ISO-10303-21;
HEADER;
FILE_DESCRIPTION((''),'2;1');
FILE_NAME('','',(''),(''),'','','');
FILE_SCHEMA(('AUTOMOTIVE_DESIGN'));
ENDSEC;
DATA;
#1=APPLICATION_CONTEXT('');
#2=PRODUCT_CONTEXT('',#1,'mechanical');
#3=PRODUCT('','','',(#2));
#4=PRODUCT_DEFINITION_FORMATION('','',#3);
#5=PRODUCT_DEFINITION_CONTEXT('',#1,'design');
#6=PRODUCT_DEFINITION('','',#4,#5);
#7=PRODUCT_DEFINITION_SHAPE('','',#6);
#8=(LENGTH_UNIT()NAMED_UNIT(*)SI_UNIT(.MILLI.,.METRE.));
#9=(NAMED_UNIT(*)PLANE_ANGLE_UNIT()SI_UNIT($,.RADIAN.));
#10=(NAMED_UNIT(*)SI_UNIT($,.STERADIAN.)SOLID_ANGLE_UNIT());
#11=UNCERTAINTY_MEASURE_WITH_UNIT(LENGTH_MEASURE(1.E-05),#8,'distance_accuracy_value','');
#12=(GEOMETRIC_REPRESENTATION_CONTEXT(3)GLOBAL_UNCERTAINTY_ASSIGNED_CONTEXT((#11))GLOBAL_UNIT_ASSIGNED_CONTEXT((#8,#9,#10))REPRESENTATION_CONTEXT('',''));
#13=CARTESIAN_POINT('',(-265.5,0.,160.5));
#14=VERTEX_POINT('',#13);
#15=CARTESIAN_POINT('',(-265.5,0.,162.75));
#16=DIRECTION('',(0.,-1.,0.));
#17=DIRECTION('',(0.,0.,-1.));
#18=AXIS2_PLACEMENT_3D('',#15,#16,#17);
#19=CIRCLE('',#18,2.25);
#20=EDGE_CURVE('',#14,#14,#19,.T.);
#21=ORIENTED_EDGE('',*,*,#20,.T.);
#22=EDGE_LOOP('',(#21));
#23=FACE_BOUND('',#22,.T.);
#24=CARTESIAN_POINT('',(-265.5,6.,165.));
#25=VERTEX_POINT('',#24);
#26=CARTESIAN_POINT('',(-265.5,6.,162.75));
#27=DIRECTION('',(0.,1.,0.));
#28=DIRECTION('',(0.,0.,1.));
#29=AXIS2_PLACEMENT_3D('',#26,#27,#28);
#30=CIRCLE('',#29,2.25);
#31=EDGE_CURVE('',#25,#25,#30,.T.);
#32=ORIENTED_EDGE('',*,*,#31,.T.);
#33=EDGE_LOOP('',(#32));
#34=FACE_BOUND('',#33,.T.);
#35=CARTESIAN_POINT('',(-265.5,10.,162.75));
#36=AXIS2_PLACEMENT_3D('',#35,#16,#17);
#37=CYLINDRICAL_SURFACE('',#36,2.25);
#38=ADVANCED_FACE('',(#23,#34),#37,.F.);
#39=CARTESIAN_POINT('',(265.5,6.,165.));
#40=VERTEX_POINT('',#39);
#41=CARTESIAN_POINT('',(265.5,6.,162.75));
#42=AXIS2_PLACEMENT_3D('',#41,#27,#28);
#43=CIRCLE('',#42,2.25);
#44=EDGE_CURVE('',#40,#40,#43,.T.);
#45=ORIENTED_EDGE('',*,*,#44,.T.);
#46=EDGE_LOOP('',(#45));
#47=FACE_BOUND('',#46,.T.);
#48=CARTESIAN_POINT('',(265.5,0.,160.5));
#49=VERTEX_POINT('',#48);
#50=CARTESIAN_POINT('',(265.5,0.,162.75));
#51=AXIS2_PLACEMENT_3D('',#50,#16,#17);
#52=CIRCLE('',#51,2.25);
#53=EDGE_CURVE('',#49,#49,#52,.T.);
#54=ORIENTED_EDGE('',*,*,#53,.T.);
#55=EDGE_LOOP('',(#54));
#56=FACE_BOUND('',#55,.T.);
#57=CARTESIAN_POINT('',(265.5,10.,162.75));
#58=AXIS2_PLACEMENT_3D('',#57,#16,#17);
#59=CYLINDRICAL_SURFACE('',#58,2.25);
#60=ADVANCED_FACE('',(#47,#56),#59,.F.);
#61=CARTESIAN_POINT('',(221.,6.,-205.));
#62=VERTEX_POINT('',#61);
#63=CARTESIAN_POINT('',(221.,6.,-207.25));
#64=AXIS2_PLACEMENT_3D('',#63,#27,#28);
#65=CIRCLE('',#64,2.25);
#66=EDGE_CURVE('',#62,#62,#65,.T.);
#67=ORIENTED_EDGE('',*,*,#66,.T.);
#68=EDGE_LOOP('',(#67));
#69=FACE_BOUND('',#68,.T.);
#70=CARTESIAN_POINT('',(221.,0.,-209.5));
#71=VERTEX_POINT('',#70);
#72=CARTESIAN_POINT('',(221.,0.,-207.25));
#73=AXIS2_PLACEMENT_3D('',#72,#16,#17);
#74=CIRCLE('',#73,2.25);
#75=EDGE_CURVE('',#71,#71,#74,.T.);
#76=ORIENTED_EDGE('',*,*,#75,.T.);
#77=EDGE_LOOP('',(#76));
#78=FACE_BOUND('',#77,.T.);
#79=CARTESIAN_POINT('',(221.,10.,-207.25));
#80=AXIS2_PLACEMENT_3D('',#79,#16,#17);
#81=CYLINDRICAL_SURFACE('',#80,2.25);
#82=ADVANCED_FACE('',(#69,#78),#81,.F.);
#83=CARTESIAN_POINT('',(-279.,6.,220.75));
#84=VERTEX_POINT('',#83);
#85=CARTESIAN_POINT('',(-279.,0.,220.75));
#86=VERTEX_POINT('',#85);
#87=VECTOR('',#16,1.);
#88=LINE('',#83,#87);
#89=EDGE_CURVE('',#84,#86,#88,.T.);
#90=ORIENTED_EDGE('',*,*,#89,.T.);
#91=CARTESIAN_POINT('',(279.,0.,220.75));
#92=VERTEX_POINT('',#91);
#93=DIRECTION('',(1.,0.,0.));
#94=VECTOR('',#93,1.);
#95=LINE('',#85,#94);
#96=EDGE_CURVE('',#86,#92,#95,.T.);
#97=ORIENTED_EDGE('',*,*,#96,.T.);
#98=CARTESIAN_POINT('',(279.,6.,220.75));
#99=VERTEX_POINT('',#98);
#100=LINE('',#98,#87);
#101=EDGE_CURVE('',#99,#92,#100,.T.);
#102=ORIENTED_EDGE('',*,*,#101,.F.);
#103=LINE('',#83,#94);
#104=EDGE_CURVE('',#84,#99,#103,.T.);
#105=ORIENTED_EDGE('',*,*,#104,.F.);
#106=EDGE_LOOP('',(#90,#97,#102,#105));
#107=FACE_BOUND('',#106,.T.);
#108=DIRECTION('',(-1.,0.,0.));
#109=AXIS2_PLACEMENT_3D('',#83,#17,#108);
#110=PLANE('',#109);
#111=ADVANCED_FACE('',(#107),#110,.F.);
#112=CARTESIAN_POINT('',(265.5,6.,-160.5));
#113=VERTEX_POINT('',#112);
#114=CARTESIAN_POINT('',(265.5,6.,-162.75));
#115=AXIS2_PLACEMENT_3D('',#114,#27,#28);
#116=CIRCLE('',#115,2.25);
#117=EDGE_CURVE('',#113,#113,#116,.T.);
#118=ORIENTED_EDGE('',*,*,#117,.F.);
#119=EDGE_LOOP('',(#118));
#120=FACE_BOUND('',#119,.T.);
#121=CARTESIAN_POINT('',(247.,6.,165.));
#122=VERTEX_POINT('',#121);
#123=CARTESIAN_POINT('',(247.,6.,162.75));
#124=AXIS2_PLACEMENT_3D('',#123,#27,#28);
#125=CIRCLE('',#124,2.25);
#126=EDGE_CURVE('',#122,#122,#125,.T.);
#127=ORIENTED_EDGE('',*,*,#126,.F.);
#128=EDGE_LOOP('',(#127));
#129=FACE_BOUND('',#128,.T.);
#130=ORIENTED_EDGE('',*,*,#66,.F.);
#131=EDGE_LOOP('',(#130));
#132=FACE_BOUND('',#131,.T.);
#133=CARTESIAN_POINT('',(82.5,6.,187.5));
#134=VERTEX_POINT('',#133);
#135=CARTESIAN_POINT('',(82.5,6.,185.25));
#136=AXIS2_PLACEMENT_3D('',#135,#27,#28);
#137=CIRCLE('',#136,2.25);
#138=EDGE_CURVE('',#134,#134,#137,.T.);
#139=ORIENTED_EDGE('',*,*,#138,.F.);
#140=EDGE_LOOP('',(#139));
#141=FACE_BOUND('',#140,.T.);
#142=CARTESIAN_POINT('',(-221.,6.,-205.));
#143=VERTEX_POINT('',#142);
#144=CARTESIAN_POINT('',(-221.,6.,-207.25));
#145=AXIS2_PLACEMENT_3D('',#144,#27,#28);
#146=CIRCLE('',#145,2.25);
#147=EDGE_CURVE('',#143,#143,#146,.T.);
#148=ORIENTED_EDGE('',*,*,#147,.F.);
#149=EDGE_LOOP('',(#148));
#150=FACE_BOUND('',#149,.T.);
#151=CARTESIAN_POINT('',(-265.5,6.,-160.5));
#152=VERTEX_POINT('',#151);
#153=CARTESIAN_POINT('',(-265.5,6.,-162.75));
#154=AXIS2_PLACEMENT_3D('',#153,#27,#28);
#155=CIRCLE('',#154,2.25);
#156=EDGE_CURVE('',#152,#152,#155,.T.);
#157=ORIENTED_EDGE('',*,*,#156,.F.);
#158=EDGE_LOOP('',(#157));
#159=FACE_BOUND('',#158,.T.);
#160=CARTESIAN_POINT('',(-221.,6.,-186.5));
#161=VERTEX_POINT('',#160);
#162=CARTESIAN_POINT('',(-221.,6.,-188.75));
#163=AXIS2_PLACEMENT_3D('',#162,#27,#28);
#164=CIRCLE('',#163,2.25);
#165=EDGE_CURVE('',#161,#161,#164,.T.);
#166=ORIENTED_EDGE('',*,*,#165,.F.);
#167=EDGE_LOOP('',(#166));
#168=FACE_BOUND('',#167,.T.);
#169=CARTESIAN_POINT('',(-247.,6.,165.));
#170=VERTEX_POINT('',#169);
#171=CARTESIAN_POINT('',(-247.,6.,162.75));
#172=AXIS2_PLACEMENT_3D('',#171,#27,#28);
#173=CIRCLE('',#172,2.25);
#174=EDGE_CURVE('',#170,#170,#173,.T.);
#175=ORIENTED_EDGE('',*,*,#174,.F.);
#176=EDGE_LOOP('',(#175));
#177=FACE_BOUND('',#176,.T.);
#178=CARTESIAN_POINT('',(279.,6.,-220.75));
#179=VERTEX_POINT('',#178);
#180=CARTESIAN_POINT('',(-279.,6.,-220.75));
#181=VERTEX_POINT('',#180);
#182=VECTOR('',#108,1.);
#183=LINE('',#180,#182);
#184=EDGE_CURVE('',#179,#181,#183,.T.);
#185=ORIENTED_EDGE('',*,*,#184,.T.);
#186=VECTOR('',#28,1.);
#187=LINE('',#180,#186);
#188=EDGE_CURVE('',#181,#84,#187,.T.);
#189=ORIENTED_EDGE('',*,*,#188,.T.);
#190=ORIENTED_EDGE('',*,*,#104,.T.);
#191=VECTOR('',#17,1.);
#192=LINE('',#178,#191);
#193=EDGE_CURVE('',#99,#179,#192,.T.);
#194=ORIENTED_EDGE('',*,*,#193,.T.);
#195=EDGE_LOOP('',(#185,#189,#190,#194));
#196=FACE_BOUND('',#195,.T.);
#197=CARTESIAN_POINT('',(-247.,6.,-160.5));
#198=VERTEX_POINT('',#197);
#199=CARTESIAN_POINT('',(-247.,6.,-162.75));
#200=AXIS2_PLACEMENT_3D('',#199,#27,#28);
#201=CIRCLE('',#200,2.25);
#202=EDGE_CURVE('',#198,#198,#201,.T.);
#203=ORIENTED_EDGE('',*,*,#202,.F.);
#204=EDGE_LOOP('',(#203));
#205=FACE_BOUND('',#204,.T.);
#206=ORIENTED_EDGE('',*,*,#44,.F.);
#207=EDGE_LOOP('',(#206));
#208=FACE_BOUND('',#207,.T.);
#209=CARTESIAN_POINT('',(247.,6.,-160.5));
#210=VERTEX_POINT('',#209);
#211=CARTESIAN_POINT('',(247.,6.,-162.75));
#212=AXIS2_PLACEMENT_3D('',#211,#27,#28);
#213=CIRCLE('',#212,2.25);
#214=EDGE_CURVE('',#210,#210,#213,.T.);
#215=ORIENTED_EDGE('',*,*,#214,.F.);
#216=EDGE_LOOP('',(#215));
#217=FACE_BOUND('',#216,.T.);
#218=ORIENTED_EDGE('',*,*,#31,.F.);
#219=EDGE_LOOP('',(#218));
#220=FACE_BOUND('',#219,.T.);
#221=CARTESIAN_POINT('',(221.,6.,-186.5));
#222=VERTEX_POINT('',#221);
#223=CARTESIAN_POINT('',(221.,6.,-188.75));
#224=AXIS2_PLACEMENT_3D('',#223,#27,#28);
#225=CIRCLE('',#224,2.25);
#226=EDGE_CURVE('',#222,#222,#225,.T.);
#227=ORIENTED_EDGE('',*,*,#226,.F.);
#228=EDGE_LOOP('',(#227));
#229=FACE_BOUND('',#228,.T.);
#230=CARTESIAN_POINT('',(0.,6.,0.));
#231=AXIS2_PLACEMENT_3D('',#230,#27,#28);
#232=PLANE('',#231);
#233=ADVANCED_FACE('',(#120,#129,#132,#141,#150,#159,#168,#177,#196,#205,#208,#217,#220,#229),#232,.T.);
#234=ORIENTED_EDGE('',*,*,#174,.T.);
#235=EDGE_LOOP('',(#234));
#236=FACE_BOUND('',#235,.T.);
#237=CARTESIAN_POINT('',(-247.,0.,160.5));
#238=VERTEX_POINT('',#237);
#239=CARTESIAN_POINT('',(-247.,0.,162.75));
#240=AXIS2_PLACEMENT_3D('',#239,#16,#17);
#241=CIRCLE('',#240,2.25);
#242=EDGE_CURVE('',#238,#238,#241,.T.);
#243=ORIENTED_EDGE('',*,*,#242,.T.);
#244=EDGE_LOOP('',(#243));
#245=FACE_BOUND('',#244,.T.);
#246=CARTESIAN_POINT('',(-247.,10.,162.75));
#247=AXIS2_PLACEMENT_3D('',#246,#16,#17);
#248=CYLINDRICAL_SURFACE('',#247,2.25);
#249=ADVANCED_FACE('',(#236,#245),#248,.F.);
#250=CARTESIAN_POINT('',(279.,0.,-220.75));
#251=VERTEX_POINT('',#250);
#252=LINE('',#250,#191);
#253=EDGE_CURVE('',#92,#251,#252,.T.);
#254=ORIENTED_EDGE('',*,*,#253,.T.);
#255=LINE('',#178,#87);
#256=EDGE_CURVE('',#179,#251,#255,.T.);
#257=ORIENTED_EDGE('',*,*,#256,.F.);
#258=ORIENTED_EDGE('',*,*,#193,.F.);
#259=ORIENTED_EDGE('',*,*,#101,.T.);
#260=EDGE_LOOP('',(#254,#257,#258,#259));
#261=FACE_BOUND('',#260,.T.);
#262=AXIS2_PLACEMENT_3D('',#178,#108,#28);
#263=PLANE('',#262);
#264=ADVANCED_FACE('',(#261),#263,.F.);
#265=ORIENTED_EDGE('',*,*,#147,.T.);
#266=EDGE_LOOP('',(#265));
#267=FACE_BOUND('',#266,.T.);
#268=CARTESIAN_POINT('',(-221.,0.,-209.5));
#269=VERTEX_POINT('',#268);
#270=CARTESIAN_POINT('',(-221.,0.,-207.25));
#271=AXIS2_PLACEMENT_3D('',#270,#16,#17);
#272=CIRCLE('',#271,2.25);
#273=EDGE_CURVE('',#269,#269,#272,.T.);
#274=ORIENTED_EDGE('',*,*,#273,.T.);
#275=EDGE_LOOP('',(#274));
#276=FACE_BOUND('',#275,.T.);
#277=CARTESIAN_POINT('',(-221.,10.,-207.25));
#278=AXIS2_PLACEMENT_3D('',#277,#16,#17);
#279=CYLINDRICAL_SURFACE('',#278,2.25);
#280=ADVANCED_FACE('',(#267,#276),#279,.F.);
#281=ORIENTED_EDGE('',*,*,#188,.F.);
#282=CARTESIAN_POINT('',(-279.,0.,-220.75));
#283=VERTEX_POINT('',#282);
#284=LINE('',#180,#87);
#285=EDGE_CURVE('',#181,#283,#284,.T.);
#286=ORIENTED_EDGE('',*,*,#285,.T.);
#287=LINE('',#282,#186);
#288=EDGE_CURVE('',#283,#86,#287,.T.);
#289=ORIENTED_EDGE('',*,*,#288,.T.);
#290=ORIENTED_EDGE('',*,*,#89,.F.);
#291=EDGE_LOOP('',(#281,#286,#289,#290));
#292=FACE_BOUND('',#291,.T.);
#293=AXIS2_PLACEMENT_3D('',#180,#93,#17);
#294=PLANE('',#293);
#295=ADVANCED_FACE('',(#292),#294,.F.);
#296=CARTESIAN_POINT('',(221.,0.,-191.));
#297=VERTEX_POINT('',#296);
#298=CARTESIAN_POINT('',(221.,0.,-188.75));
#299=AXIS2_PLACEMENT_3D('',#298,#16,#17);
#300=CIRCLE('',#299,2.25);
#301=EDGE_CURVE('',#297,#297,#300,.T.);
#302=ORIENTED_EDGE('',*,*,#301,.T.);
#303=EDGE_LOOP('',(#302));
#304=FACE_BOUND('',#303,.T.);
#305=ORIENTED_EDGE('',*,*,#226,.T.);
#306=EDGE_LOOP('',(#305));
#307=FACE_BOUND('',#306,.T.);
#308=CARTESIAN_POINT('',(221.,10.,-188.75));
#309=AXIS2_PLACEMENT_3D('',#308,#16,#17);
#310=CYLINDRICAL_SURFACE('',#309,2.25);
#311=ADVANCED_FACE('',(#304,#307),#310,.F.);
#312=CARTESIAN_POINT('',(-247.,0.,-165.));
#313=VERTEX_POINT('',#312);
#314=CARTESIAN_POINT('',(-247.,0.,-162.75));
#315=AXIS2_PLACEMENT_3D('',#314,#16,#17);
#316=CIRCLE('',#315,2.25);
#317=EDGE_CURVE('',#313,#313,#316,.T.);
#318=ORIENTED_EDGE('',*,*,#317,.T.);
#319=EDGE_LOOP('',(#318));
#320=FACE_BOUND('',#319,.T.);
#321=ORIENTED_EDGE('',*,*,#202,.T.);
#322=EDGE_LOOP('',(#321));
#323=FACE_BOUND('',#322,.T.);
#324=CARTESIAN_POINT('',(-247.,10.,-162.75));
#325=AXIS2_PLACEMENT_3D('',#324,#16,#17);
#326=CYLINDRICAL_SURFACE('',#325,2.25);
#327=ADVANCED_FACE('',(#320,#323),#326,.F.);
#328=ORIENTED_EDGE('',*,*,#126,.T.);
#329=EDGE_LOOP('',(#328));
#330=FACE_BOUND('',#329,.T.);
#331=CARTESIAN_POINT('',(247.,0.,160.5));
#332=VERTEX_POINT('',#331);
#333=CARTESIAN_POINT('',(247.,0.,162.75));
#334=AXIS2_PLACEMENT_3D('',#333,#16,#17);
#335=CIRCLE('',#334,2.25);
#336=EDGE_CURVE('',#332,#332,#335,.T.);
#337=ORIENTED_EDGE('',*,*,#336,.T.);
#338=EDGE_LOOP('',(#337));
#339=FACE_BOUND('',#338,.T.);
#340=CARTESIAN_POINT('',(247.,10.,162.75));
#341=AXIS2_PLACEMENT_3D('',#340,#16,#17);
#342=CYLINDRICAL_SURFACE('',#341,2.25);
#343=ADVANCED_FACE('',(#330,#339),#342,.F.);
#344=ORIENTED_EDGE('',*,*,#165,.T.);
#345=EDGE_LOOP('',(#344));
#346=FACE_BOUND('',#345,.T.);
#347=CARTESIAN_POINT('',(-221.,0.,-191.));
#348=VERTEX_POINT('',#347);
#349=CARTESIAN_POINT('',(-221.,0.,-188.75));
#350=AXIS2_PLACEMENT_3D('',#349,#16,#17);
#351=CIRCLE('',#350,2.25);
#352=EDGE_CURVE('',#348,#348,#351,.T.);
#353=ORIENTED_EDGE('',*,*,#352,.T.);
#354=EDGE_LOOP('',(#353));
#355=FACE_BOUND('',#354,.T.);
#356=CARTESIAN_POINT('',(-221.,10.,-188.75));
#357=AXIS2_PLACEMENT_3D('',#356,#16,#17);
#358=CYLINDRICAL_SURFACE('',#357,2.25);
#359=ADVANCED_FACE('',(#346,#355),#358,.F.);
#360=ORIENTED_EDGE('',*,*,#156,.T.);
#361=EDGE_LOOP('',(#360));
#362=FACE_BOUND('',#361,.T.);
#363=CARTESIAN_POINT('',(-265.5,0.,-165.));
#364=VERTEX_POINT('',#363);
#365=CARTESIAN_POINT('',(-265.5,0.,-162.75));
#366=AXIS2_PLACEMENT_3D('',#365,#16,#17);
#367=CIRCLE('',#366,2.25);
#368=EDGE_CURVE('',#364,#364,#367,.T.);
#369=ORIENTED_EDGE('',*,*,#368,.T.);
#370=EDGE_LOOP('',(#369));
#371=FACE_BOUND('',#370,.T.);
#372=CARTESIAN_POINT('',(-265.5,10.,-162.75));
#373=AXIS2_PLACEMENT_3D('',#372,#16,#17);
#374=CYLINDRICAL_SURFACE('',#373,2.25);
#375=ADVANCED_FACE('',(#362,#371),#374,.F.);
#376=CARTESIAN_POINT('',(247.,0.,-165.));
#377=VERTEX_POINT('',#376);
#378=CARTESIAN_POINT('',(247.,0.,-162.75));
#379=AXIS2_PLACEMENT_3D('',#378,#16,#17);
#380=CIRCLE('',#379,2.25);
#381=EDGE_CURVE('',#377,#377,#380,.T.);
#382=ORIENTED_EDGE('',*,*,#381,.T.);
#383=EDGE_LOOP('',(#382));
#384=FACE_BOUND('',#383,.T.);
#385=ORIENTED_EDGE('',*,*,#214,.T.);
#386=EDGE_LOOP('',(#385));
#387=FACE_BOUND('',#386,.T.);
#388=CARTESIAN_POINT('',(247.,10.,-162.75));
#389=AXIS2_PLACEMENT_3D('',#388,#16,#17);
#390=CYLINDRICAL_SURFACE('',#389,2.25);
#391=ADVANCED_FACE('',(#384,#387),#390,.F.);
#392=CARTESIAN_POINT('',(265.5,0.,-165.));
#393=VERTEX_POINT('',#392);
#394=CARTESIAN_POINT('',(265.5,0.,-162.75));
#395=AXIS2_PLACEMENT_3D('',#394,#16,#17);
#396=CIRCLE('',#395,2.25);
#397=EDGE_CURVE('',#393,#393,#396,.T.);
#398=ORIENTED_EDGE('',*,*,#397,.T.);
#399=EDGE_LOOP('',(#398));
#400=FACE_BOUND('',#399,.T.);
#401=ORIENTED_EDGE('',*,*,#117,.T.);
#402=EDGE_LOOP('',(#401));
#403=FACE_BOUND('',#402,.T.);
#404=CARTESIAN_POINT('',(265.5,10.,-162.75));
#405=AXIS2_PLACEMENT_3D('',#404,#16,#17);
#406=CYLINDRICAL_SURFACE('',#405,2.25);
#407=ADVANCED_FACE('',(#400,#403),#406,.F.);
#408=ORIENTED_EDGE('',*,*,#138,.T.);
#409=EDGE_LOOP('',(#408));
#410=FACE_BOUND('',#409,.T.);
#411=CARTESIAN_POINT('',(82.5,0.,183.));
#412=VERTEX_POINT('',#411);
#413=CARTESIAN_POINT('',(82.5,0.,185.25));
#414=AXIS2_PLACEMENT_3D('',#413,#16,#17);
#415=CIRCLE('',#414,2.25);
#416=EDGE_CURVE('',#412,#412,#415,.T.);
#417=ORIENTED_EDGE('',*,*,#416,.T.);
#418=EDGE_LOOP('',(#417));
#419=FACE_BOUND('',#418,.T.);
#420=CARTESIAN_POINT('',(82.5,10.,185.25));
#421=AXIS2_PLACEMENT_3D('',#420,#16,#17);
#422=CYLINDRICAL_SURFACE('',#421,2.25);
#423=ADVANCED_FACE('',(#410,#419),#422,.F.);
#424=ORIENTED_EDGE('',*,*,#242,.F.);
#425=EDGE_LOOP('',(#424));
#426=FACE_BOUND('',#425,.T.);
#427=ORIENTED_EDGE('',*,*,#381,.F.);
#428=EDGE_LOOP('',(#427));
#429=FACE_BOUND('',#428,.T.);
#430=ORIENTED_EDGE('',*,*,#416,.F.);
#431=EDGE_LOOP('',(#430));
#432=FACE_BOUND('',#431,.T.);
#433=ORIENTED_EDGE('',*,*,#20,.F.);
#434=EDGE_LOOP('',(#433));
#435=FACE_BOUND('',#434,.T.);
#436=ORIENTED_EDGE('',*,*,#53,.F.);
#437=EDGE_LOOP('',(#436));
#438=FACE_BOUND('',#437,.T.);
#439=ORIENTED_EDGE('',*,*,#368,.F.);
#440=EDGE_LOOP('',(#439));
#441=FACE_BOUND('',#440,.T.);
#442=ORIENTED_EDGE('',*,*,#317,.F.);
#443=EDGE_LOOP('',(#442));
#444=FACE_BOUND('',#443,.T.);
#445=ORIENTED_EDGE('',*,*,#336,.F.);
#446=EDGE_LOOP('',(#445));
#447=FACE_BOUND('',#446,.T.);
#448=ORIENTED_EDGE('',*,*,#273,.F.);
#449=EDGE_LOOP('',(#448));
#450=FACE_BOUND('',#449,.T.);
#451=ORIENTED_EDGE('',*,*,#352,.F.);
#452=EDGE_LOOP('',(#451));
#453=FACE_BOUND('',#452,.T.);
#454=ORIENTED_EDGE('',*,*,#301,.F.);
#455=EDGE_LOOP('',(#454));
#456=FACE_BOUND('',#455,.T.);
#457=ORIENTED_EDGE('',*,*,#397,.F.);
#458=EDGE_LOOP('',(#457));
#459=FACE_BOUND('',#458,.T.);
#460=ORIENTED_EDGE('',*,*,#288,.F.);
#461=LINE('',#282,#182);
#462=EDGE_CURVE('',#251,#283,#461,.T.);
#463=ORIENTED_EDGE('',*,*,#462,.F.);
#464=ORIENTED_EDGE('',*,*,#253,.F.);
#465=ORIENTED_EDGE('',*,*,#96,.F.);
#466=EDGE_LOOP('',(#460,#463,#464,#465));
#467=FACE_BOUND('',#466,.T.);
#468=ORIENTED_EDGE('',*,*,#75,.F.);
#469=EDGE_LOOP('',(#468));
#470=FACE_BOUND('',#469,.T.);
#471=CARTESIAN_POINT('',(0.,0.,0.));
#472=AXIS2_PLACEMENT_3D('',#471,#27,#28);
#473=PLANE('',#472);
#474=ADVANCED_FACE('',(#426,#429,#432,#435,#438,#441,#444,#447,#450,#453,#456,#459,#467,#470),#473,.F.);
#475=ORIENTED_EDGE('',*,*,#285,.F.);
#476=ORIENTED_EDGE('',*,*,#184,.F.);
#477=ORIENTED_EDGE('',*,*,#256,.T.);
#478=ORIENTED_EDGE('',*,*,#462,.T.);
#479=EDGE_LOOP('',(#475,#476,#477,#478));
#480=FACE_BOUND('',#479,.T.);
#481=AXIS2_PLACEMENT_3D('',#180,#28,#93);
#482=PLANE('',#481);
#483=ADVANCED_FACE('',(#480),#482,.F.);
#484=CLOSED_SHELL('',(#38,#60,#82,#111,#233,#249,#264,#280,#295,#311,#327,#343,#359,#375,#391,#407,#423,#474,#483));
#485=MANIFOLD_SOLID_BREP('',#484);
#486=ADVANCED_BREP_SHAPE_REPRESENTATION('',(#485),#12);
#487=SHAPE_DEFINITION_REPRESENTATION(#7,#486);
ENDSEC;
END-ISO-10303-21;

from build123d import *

# Parameters (mm, degrees)
SCHIZZO1_W                   = 558
SCHIZZO1_H                   = 441.5
ESTRUSIONE_ESTRUSIONE1_DEPTH = 6
SCHIZZO2_R                   = 2.25
TAGLIO_ESTRUSIONE1_DEPTH     = 10


with BuildPart() as part:
    # Schizzo1 → Estrusione-Estrusione1 (new body)
    with BuildSketch(Plane(origin=(0, 0, 0), x_dir=(1, 0, 0), z_dir=(0, 1, 0))):
        Rectangle(SCHIZZO1_W, SCHIZZO1_H)
    extrude(amount=ESTRUSIONE_ESTRUSIONE1_DEPTH)

    # Schizzo2 → Taglio-Estrusione1 (cut)
    with BuildSketch(Plane(origin=(0, 0, 0), x_dir=(-1, 0, 0), z_dir=(0, -1, 0))):
        with Locations(Location((-221, 207.25, 0), (0, 0, 90))):
            Circle(SCHIZZO2_R)
        with Locations(Location((-221, 188.75, 0), (0, 0, 90))):
            Circle(SCHIZZO2_R)
        with Locations(Location((-247, 162.75, 0), (0, 0, 90))):
            Circle(SCHIZZO2_R)
        with Locations(Location((-265.5, 162.75, 0), (0, 0, 90))):
            Circle(SCHIZZO2_R)
        with Locations(Location((221, 207.25, 0), (0, 0, 90))):
            Circle(SCHIZZO2_R)
        with Locations(Location((221, 188.75, 0), (0, 0, 90))):
            Circle(SCHIZZO2_R)
        with Locations(Location((247, 162.75, 0), (0, 0, 90))):
            Circle(SCHIZZO2_R)
        with Locations(Location((265.5, 162.75, 0), (0, 0, 90))):
            Circle(SCHIZZO2_R)
        with Locations(Location((265.5, -162.75, 0), (0, 0, 90))):
            Circle(SCHIZZO2_R)
        with Locations(Location((247, -162.75, 0), (0, 0, 90))):
            Circle(SCHIZZO2_R)
        with Locations(Location((-265.5, -162.75, 0), (0, 0, 90))):
            Circle(SCHIZZO2_R)
        with Locations(Location((-247, -162.75, 0), (0, 0, 90))):
            Circle(SCHIZZO2_R)
        with Locations(Location((-82.5, -185.25, 0), (0, 0, 90))):
            Circle(SCHIZZO2_R)
    extrude(amount=-TAGLIO_ESTRUSIONE1_DEPTH, mode=Mode.SUBTRACT)


solid = part.part
